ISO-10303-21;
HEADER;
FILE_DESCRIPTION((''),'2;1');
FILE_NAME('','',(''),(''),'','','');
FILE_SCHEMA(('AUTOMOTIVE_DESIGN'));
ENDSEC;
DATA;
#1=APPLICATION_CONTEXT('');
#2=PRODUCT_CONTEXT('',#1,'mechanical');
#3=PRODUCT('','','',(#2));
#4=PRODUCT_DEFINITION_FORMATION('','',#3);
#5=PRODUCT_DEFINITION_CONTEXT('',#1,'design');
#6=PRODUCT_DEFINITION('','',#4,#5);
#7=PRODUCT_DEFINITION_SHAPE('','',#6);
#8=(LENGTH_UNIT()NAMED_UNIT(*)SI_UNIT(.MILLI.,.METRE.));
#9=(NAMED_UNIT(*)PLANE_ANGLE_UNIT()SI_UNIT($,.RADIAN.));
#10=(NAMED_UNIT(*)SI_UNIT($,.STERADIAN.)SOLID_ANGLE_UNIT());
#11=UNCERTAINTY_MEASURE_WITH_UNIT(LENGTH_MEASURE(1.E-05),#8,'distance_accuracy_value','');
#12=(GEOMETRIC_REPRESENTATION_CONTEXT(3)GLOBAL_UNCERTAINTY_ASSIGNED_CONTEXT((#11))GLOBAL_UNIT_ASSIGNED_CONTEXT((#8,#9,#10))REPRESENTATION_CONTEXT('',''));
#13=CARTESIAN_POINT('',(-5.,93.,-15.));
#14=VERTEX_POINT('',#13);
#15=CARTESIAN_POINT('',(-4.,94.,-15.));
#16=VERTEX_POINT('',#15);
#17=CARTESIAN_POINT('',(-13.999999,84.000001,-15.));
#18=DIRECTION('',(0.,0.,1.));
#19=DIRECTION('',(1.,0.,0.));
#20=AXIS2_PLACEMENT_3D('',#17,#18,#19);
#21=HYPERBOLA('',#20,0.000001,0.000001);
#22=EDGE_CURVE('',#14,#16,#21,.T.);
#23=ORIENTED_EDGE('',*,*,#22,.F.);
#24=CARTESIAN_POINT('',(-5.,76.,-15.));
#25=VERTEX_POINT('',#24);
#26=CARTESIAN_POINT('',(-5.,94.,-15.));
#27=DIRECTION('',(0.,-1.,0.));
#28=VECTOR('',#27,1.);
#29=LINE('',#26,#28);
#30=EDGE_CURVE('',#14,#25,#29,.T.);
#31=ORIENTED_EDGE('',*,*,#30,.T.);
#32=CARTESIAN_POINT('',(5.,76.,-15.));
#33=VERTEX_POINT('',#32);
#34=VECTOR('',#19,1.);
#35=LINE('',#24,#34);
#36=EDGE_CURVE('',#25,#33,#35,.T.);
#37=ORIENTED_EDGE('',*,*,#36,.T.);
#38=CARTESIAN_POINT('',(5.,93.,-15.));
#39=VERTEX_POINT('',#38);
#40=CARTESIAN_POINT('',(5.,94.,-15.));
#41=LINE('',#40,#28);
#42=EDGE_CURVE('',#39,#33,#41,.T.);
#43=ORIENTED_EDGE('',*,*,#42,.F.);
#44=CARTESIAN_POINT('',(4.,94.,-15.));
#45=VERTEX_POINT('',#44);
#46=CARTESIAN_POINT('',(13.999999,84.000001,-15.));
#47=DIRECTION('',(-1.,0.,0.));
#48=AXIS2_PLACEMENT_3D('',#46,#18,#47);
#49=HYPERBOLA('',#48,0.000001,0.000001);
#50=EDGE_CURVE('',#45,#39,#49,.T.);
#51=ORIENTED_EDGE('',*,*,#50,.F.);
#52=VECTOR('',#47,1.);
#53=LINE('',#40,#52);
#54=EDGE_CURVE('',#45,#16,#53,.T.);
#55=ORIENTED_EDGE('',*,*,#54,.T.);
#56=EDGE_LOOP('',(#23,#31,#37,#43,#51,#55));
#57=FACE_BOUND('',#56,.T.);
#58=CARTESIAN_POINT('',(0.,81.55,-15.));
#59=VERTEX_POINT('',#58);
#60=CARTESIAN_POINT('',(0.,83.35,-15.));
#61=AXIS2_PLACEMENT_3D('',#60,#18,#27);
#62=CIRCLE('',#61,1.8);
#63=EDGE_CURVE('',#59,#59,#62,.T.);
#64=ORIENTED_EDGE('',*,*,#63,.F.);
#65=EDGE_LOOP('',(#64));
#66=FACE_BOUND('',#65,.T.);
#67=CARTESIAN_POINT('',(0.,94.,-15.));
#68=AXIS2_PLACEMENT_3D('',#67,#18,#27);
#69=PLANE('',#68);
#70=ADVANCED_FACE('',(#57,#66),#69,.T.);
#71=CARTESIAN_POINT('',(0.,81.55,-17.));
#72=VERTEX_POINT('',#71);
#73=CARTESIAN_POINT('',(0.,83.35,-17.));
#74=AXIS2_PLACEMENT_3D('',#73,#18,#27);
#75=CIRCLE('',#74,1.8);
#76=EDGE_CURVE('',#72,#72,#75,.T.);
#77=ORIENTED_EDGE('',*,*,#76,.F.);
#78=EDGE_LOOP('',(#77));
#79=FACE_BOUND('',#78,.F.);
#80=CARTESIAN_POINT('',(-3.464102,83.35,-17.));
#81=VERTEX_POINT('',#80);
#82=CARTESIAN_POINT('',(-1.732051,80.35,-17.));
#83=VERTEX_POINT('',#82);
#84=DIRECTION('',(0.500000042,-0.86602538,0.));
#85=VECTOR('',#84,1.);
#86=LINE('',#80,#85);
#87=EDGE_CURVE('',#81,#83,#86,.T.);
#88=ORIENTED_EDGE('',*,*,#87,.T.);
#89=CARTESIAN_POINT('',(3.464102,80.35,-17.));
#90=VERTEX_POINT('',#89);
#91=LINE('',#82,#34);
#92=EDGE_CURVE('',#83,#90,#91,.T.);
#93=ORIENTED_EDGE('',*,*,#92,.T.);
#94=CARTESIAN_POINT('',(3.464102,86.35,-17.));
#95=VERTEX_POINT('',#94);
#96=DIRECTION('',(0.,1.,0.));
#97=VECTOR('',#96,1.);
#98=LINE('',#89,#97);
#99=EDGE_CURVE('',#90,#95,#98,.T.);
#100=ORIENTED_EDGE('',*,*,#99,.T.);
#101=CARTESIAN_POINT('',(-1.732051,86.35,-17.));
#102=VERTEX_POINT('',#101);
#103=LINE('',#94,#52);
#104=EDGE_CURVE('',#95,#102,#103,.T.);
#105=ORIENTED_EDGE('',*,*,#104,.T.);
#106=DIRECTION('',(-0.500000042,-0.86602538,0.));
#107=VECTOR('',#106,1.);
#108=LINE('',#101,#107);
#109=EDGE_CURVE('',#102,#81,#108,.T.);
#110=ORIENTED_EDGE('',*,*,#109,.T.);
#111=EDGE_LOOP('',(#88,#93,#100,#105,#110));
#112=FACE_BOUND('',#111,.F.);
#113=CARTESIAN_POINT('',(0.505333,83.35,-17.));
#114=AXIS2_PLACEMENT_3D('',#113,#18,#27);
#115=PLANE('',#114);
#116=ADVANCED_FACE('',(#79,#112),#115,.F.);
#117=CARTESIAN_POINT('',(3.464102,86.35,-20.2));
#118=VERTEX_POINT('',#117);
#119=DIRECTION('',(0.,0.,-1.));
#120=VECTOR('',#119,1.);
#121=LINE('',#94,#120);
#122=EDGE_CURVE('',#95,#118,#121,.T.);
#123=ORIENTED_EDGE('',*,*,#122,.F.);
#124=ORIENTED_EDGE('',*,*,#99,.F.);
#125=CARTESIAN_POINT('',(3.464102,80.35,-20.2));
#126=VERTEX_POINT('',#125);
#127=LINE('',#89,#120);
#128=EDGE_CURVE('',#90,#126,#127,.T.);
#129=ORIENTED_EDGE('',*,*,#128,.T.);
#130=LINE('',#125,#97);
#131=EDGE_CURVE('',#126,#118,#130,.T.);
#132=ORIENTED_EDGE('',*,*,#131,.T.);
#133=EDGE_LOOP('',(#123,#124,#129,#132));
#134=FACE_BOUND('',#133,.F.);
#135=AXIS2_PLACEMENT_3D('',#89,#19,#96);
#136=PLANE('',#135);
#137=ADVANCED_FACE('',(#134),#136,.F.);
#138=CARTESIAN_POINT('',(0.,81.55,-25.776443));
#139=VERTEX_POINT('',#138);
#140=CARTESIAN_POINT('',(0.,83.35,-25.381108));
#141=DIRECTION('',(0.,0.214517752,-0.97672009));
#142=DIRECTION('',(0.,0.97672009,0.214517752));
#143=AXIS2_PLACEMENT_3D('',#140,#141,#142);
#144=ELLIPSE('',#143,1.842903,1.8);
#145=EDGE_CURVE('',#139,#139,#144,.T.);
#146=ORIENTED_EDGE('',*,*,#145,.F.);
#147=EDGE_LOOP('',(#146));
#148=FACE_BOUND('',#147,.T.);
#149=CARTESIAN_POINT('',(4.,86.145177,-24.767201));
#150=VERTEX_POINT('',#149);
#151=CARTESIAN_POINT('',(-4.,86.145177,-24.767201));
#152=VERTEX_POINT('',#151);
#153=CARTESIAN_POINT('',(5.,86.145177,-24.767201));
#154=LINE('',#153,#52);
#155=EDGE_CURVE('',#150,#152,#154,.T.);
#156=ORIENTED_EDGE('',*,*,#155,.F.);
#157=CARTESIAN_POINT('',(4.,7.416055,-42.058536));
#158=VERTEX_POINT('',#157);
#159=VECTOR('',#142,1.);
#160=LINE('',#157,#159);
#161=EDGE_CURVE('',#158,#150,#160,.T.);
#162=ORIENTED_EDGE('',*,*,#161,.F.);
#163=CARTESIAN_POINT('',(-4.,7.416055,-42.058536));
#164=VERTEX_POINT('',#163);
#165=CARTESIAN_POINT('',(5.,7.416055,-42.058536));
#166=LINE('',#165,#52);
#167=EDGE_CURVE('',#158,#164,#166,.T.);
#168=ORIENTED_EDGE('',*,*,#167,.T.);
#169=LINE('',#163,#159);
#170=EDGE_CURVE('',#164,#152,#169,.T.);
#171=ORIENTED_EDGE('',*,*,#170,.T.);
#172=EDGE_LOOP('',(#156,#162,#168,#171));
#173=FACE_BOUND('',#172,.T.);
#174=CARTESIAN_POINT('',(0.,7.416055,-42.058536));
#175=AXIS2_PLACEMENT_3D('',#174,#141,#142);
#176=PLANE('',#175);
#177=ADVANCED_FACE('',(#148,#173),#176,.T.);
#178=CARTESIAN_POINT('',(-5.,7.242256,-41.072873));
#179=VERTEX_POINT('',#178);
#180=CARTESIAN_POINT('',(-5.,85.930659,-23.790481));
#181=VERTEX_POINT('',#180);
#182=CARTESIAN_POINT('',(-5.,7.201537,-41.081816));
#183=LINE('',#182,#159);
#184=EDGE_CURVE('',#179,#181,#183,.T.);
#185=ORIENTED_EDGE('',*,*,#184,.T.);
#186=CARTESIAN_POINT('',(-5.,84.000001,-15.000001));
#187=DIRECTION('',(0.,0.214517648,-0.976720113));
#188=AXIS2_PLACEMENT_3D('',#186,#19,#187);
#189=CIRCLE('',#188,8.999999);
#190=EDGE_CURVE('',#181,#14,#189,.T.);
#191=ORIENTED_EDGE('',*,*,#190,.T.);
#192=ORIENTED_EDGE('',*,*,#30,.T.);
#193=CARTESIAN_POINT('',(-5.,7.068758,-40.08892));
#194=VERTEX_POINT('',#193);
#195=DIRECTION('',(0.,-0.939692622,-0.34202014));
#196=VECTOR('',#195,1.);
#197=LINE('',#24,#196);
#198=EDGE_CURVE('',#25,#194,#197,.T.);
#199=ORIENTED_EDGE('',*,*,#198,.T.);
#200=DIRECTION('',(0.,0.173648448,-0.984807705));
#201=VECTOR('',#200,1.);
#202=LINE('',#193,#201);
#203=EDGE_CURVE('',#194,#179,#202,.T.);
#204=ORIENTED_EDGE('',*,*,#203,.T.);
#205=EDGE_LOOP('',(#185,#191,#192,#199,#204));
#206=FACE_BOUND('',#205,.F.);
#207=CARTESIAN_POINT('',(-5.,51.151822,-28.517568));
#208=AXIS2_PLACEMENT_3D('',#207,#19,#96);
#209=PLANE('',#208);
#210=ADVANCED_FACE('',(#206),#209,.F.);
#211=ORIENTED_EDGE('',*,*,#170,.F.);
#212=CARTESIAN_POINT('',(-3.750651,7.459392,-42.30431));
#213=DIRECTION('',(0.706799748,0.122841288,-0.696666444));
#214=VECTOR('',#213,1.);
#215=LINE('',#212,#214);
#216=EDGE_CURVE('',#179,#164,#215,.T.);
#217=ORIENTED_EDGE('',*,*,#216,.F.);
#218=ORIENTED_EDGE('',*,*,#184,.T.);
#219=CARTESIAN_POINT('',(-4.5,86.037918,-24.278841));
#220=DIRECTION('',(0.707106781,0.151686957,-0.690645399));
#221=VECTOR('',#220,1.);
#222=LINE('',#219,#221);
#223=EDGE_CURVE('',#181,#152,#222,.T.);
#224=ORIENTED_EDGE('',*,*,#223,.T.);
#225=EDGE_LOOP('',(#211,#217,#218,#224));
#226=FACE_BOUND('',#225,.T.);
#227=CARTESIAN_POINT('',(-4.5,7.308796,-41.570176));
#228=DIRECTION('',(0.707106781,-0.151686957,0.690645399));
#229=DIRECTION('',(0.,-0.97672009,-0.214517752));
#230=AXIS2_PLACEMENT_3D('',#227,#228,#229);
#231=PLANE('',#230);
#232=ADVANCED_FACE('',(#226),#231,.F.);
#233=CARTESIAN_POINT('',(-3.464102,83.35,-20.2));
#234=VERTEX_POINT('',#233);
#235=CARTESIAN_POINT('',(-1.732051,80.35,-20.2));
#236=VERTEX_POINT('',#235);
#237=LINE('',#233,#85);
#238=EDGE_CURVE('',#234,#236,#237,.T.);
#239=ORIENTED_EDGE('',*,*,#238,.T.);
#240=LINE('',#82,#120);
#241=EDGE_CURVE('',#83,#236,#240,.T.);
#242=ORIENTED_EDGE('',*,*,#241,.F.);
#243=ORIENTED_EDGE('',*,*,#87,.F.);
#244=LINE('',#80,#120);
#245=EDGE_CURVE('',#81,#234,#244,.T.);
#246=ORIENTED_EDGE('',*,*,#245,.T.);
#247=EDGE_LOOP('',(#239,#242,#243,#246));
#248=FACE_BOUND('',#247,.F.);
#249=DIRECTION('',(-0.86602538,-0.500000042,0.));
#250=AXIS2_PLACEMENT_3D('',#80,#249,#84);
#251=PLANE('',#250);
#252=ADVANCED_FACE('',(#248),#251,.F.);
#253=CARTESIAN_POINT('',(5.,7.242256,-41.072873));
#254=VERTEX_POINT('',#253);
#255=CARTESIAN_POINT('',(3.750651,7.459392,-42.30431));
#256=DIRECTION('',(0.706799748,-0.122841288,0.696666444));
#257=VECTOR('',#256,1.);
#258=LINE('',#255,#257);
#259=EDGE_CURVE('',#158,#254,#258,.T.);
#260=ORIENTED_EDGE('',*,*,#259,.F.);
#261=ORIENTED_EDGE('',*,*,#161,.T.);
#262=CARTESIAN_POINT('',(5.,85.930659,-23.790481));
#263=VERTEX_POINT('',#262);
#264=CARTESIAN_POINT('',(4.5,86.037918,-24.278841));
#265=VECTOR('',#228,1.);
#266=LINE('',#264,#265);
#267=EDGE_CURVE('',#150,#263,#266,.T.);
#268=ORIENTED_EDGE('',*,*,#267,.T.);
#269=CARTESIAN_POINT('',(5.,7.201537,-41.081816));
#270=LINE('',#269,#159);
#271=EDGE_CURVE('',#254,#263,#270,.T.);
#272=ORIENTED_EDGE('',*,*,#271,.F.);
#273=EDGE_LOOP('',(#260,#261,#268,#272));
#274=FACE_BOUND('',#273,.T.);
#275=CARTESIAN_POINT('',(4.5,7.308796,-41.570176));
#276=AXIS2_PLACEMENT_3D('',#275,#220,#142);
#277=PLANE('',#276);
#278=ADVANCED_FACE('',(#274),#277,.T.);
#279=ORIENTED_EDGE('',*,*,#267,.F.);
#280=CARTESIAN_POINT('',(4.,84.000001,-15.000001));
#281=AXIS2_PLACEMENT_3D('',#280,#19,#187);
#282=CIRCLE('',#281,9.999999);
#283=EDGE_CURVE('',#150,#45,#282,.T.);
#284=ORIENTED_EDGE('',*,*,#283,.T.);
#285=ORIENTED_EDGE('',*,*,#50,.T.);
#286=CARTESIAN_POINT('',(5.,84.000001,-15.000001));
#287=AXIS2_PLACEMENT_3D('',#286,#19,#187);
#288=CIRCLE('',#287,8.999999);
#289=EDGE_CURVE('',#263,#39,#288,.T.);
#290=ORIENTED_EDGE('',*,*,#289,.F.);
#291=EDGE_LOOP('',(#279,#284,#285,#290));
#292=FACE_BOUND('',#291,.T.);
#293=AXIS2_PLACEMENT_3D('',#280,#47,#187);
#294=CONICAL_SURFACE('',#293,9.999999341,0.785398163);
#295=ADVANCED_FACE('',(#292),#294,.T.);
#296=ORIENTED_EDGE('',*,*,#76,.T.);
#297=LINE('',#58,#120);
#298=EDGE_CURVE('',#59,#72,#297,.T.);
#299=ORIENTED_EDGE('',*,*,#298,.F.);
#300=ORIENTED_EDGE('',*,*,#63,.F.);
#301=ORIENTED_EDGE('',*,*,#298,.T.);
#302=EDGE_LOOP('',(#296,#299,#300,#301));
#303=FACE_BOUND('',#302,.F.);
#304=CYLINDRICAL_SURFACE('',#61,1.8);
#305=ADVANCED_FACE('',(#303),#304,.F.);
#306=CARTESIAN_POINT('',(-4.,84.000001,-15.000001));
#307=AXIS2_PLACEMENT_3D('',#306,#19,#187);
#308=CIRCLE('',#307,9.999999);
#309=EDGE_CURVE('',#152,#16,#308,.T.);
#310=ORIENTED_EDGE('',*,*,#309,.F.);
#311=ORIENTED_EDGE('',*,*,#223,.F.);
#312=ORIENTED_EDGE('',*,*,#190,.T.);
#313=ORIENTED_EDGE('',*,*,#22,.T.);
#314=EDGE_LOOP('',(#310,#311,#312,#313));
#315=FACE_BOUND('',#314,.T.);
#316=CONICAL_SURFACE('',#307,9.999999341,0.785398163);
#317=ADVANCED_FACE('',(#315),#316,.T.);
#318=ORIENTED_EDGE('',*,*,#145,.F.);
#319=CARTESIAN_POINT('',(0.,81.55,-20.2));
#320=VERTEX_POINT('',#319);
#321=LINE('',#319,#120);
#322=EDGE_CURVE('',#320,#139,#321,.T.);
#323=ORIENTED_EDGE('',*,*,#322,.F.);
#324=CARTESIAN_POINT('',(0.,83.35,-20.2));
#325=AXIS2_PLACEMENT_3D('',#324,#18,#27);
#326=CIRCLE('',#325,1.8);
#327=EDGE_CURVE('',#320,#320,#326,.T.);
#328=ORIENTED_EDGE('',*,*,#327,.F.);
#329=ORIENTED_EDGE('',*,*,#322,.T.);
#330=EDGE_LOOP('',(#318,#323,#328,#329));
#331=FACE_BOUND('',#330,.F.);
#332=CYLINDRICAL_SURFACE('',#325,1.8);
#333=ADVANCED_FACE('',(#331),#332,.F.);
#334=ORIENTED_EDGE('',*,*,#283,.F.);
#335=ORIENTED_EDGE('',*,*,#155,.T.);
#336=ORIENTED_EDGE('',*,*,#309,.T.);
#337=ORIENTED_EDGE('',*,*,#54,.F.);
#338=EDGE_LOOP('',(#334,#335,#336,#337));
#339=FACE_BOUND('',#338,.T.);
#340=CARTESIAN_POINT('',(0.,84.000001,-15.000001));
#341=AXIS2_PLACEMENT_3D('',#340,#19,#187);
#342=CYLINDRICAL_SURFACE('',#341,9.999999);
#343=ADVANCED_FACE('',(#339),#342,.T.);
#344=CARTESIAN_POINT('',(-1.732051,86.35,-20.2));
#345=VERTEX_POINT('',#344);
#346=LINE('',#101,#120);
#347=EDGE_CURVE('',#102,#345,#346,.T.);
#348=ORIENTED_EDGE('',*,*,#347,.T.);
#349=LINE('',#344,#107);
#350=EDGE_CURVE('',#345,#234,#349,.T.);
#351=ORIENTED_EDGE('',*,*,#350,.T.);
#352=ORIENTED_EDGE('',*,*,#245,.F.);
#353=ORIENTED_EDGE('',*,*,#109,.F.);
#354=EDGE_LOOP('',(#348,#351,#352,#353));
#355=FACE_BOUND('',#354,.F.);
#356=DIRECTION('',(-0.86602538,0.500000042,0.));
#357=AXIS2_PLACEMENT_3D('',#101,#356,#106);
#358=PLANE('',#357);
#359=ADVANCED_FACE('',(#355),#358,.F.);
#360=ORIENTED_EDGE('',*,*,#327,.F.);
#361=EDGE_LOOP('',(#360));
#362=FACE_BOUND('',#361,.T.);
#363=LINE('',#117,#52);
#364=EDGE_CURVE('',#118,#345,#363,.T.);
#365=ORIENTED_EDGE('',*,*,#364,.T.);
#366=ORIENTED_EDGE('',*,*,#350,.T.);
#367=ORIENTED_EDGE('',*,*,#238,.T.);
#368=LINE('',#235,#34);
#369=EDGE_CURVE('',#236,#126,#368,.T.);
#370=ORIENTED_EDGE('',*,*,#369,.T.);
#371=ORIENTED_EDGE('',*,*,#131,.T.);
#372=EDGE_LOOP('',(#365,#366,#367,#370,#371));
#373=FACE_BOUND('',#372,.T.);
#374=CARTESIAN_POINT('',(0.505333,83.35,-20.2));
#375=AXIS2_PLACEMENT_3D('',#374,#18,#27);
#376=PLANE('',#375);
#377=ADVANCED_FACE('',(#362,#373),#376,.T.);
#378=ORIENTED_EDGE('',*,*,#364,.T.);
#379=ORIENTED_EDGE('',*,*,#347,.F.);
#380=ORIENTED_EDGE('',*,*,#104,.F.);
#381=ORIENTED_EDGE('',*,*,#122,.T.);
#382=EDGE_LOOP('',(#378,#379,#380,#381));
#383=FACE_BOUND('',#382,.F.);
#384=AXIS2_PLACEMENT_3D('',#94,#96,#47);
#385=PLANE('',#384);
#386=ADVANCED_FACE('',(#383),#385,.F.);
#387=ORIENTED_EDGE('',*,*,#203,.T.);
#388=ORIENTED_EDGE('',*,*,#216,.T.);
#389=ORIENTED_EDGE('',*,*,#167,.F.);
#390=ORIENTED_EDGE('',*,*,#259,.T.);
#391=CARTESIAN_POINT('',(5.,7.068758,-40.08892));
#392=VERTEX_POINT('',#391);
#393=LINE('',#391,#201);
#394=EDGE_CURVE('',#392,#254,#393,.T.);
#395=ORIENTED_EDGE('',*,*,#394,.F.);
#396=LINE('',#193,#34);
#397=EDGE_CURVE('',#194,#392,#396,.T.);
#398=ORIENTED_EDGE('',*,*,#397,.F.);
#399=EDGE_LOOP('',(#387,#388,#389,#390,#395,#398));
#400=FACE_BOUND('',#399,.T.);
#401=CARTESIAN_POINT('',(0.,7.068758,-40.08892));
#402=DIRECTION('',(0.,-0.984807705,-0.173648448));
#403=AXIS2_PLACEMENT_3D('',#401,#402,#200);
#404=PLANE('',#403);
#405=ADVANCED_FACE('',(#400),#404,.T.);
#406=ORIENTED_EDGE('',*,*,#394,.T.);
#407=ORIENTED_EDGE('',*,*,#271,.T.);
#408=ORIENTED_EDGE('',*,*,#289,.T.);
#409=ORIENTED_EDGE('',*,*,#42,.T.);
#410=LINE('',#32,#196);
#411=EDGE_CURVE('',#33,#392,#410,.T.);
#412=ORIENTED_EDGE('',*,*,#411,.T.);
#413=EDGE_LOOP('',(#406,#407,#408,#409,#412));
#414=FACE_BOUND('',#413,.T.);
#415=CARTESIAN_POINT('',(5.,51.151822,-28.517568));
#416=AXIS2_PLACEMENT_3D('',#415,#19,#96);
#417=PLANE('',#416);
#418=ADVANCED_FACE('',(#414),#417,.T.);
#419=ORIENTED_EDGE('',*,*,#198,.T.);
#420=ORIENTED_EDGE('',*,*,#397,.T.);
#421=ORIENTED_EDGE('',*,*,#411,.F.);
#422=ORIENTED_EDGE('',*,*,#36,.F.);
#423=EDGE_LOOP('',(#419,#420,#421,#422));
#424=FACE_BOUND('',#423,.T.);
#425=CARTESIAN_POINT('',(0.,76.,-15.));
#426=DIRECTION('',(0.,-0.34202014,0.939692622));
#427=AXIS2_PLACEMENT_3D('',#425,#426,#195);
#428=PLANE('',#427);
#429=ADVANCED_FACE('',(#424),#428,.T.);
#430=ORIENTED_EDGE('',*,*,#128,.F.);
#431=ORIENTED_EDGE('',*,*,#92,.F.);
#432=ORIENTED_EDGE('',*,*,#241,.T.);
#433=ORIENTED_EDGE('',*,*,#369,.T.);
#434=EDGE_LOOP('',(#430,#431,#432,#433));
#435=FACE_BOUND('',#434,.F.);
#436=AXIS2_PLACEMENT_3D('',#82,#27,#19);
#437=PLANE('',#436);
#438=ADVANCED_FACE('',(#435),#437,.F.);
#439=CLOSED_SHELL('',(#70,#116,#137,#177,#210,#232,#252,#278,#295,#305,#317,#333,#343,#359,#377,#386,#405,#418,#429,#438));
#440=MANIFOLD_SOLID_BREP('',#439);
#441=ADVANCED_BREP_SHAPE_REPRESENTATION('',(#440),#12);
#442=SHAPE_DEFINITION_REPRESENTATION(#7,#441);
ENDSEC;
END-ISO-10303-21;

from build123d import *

# Parameters (mm, degrees)
PAD013_DEPTH    = 5
SKETCH029_R     = 1.8
POCKET014_DEPTH = 2
POCKET015_DEPTH = 3.2
SKETCH031_R     = 1.8
POCKET016_DEPTH = 21.859536
CHAMFER004_SIZE = 1


with BuildPart() as part:
    # Sketch028 → Pad013 (new body, symmetric)
    with BuildSketch(Plane.YZ):
        with BuildLine():
            Line((94, -15), (76, -15))
            Line((76, -15), (7.068758, -40.08892))
            Line((7.068758, -40.08892), (7.416055, -42.058536))
            Line((7.416055, -42.058536), (86.145177, -24.767201))
            ThreePointArc((86.145177, -24.767201), (91.792682, -21.266906), (94, -15))
        make_face()
    extrude(amount=PAD013_DEPTH, both=True)

    # Sketch029 (on Face1 of Pad013) → Pocket014 (cut)
    with BuildSketch(Plane(origin=(0, 0, -15), x_dir=(0, -1, 0), z_dir=(0, 0, 1))):
        with Locations((-83.35, 0)):
            Circle(SKETCH029_R)
    extrude(amount=-POCKET014_DEPTH, mode=Mode.SUBTRACT)

    # Sketch030 (on Face9 of Pocket014) → Pocket015 (cut)
    with BuildSketch(Plane(origin=(0, 0, -17), x_dir=(0, -1, 0), z_dir=(0, 0, 1))):
        Polygon((-86.35, 1.732051), (-86.35, -1.732051), (-83.35, -3.464102), (-80.35, -1.732051), (-80.35, 1.732051), (-80.35, 3.464102), (-86.35, 3.464102), align=None)
    extrude(amount=-POCKET015_DEPTH, mode=Mode.SUBTRACT)

    # Sketch031 (on Face15 of Pocket015) → Pocket016 (cut, through all)
    with BuildSketch(Plane(origin=(0, 0, -20.2), x_dir=(0, -1, 0), z_dir=(0, 0, 1))):
        with Locations((-83.35, 0)):
            Circle(SKETCH031_R)
    extrude(amount=-POCKET016_DEPTH, mode=Mode.SUBTRACT)

    # Chamfer004
    chamfer004_edges = [part.edges().sort_by_distance(p)[0] for p in [
        (5, 91.792682, -21.266906),
        (-5, 91.792682, -21.266906),
    ]]
    chamfer(chamfer004_edges, length=CHAMFER004_SIZE)


solid = part.part
